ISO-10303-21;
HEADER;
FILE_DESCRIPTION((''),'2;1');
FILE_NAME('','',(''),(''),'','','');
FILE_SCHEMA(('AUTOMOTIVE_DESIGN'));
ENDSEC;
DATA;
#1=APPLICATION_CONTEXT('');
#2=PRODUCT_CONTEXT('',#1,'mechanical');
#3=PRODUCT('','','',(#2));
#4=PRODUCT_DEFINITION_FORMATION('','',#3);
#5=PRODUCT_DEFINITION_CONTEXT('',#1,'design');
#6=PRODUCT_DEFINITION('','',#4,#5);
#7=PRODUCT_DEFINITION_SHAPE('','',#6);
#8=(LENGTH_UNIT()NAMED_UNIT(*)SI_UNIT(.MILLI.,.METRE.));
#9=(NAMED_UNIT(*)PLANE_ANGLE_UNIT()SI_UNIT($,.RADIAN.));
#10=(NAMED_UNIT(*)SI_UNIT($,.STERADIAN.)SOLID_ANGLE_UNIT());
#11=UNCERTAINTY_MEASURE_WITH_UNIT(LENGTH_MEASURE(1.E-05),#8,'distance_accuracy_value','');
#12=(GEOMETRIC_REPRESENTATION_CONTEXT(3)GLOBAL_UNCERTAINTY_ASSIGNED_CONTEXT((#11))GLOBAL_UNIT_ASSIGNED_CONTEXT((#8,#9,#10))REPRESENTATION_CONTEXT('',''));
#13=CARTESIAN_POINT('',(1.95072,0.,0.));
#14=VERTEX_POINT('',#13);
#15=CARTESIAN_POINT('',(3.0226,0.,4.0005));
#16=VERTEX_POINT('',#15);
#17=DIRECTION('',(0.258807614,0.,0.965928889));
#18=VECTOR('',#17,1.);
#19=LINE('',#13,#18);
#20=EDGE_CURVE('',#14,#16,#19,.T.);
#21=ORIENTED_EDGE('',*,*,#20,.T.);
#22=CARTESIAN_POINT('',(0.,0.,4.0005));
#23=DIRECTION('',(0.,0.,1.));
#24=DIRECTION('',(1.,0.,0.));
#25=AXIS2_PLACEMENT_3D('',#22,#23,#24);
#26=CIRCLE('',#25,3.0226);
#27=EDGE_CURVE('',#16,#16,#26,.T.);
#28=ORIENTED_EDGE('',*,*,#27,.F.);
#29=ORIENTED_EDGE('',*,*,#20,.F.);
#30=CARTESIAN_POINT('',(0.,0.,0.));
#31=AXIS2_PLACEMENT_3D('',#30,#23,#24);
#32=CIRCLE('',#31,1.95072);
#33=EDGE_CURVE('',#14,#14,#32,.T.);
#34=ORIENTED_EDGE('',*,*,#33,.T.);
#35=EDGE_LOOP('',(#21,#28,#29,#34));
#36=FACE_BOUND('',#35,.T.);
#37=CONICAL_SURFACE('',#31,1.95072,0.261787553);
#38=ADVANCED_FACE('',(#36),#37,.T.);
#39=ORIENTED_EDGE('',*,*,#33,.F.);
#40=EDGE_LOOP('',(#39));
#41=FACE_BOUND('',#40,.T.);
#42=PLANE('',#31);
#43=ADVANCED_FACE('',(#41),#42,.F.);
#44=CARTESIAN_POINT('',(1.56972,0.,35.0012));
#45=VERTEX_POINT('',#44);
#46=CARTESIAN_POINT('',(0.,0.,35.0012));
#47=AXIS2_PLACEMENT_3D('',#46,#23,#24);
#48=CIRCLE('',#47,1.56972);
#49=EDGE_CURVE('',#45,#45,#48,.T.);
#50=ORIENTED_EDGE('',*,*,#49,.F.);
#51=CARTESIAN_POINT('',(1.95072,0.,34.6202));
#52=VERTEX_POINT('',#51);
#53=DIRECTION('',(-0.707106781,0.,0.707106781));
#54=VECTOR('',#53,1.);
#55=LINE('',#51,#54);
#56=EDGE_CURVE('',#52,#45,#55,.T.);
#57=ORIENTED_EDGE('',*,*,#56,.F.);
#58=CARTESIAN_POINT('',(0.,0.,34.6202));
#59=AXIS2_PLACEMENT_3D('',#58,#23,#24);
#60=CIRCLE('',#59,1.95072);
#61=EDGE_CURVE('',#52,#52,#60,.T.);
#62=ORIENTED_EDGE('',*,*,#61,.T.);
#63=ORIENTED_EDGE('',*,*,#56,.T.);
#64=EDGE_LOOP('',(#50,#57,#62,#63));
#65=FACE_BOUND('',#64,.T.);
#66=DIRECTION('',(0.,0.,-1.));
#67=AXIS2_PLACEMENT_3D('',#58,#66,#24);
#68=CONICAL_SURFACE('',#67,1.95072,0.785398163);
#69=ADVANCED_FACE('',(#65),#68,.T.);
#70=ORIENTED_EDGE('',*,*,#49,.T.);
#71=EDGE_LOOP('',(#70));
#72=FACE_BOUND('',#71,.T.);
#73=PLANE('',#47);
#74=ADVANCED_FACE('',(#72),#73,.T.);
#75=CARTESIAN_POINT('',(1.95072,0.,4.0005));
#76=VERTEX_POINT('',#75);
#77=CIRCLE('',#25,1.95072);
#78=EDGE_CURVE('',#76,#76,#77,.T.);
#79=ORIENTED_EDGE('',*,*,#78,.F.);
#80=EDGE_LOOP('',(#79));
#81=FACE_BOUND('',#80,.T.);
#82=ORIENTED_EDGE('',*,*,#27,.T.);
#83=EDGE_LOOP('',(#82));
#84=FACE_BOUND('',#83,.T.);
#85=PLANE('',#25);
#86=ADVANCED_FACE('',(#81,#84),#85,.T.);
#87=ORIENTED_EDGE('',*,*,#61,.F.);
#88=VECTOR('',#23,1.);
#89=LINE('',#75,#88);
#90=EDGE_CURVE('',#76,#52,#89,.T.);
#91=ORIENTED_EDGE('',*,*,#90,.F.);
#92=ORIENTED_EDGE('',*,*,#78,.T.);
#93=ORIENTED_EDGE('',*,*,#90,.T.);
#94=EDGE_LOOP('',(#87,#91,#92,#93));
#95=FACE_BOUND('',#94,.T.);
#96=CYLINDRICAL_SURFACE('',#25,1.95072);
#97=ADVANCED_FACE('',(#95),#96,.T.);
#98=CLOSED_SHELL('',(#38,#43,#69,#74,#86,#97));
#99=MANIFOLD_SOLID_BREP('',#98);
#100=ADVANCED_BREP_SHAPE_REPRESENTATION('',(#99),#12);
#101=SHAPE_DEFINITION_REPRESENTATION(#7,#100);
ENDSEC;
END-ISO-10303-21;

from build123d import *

# Parameters (mm, degrees)
F2_SIZE = 0.381


with BuildPart() as f1:
    # F0 (on Front) → F1 (revolve)
    with BuildSketch(Plane.XZ):
        Polygon((0, 35.0012), (0, 0), (1.95072, 0), (3.0226, 4.0005), (1.95072, 4.0005), (1.95072, 35.0012), align=None)
    revolve(axis=Axis((0, 0, 17.5006), (0, 0, 1)))

    # F2
    f2_edges = [f1.edges().sort_by_distance(p)[0] for p in [
        (-1.95072, 0, 35.0012),
    ]]
    chamfer(f2_edges, length=F2_SIZE)


solid = f1.part
